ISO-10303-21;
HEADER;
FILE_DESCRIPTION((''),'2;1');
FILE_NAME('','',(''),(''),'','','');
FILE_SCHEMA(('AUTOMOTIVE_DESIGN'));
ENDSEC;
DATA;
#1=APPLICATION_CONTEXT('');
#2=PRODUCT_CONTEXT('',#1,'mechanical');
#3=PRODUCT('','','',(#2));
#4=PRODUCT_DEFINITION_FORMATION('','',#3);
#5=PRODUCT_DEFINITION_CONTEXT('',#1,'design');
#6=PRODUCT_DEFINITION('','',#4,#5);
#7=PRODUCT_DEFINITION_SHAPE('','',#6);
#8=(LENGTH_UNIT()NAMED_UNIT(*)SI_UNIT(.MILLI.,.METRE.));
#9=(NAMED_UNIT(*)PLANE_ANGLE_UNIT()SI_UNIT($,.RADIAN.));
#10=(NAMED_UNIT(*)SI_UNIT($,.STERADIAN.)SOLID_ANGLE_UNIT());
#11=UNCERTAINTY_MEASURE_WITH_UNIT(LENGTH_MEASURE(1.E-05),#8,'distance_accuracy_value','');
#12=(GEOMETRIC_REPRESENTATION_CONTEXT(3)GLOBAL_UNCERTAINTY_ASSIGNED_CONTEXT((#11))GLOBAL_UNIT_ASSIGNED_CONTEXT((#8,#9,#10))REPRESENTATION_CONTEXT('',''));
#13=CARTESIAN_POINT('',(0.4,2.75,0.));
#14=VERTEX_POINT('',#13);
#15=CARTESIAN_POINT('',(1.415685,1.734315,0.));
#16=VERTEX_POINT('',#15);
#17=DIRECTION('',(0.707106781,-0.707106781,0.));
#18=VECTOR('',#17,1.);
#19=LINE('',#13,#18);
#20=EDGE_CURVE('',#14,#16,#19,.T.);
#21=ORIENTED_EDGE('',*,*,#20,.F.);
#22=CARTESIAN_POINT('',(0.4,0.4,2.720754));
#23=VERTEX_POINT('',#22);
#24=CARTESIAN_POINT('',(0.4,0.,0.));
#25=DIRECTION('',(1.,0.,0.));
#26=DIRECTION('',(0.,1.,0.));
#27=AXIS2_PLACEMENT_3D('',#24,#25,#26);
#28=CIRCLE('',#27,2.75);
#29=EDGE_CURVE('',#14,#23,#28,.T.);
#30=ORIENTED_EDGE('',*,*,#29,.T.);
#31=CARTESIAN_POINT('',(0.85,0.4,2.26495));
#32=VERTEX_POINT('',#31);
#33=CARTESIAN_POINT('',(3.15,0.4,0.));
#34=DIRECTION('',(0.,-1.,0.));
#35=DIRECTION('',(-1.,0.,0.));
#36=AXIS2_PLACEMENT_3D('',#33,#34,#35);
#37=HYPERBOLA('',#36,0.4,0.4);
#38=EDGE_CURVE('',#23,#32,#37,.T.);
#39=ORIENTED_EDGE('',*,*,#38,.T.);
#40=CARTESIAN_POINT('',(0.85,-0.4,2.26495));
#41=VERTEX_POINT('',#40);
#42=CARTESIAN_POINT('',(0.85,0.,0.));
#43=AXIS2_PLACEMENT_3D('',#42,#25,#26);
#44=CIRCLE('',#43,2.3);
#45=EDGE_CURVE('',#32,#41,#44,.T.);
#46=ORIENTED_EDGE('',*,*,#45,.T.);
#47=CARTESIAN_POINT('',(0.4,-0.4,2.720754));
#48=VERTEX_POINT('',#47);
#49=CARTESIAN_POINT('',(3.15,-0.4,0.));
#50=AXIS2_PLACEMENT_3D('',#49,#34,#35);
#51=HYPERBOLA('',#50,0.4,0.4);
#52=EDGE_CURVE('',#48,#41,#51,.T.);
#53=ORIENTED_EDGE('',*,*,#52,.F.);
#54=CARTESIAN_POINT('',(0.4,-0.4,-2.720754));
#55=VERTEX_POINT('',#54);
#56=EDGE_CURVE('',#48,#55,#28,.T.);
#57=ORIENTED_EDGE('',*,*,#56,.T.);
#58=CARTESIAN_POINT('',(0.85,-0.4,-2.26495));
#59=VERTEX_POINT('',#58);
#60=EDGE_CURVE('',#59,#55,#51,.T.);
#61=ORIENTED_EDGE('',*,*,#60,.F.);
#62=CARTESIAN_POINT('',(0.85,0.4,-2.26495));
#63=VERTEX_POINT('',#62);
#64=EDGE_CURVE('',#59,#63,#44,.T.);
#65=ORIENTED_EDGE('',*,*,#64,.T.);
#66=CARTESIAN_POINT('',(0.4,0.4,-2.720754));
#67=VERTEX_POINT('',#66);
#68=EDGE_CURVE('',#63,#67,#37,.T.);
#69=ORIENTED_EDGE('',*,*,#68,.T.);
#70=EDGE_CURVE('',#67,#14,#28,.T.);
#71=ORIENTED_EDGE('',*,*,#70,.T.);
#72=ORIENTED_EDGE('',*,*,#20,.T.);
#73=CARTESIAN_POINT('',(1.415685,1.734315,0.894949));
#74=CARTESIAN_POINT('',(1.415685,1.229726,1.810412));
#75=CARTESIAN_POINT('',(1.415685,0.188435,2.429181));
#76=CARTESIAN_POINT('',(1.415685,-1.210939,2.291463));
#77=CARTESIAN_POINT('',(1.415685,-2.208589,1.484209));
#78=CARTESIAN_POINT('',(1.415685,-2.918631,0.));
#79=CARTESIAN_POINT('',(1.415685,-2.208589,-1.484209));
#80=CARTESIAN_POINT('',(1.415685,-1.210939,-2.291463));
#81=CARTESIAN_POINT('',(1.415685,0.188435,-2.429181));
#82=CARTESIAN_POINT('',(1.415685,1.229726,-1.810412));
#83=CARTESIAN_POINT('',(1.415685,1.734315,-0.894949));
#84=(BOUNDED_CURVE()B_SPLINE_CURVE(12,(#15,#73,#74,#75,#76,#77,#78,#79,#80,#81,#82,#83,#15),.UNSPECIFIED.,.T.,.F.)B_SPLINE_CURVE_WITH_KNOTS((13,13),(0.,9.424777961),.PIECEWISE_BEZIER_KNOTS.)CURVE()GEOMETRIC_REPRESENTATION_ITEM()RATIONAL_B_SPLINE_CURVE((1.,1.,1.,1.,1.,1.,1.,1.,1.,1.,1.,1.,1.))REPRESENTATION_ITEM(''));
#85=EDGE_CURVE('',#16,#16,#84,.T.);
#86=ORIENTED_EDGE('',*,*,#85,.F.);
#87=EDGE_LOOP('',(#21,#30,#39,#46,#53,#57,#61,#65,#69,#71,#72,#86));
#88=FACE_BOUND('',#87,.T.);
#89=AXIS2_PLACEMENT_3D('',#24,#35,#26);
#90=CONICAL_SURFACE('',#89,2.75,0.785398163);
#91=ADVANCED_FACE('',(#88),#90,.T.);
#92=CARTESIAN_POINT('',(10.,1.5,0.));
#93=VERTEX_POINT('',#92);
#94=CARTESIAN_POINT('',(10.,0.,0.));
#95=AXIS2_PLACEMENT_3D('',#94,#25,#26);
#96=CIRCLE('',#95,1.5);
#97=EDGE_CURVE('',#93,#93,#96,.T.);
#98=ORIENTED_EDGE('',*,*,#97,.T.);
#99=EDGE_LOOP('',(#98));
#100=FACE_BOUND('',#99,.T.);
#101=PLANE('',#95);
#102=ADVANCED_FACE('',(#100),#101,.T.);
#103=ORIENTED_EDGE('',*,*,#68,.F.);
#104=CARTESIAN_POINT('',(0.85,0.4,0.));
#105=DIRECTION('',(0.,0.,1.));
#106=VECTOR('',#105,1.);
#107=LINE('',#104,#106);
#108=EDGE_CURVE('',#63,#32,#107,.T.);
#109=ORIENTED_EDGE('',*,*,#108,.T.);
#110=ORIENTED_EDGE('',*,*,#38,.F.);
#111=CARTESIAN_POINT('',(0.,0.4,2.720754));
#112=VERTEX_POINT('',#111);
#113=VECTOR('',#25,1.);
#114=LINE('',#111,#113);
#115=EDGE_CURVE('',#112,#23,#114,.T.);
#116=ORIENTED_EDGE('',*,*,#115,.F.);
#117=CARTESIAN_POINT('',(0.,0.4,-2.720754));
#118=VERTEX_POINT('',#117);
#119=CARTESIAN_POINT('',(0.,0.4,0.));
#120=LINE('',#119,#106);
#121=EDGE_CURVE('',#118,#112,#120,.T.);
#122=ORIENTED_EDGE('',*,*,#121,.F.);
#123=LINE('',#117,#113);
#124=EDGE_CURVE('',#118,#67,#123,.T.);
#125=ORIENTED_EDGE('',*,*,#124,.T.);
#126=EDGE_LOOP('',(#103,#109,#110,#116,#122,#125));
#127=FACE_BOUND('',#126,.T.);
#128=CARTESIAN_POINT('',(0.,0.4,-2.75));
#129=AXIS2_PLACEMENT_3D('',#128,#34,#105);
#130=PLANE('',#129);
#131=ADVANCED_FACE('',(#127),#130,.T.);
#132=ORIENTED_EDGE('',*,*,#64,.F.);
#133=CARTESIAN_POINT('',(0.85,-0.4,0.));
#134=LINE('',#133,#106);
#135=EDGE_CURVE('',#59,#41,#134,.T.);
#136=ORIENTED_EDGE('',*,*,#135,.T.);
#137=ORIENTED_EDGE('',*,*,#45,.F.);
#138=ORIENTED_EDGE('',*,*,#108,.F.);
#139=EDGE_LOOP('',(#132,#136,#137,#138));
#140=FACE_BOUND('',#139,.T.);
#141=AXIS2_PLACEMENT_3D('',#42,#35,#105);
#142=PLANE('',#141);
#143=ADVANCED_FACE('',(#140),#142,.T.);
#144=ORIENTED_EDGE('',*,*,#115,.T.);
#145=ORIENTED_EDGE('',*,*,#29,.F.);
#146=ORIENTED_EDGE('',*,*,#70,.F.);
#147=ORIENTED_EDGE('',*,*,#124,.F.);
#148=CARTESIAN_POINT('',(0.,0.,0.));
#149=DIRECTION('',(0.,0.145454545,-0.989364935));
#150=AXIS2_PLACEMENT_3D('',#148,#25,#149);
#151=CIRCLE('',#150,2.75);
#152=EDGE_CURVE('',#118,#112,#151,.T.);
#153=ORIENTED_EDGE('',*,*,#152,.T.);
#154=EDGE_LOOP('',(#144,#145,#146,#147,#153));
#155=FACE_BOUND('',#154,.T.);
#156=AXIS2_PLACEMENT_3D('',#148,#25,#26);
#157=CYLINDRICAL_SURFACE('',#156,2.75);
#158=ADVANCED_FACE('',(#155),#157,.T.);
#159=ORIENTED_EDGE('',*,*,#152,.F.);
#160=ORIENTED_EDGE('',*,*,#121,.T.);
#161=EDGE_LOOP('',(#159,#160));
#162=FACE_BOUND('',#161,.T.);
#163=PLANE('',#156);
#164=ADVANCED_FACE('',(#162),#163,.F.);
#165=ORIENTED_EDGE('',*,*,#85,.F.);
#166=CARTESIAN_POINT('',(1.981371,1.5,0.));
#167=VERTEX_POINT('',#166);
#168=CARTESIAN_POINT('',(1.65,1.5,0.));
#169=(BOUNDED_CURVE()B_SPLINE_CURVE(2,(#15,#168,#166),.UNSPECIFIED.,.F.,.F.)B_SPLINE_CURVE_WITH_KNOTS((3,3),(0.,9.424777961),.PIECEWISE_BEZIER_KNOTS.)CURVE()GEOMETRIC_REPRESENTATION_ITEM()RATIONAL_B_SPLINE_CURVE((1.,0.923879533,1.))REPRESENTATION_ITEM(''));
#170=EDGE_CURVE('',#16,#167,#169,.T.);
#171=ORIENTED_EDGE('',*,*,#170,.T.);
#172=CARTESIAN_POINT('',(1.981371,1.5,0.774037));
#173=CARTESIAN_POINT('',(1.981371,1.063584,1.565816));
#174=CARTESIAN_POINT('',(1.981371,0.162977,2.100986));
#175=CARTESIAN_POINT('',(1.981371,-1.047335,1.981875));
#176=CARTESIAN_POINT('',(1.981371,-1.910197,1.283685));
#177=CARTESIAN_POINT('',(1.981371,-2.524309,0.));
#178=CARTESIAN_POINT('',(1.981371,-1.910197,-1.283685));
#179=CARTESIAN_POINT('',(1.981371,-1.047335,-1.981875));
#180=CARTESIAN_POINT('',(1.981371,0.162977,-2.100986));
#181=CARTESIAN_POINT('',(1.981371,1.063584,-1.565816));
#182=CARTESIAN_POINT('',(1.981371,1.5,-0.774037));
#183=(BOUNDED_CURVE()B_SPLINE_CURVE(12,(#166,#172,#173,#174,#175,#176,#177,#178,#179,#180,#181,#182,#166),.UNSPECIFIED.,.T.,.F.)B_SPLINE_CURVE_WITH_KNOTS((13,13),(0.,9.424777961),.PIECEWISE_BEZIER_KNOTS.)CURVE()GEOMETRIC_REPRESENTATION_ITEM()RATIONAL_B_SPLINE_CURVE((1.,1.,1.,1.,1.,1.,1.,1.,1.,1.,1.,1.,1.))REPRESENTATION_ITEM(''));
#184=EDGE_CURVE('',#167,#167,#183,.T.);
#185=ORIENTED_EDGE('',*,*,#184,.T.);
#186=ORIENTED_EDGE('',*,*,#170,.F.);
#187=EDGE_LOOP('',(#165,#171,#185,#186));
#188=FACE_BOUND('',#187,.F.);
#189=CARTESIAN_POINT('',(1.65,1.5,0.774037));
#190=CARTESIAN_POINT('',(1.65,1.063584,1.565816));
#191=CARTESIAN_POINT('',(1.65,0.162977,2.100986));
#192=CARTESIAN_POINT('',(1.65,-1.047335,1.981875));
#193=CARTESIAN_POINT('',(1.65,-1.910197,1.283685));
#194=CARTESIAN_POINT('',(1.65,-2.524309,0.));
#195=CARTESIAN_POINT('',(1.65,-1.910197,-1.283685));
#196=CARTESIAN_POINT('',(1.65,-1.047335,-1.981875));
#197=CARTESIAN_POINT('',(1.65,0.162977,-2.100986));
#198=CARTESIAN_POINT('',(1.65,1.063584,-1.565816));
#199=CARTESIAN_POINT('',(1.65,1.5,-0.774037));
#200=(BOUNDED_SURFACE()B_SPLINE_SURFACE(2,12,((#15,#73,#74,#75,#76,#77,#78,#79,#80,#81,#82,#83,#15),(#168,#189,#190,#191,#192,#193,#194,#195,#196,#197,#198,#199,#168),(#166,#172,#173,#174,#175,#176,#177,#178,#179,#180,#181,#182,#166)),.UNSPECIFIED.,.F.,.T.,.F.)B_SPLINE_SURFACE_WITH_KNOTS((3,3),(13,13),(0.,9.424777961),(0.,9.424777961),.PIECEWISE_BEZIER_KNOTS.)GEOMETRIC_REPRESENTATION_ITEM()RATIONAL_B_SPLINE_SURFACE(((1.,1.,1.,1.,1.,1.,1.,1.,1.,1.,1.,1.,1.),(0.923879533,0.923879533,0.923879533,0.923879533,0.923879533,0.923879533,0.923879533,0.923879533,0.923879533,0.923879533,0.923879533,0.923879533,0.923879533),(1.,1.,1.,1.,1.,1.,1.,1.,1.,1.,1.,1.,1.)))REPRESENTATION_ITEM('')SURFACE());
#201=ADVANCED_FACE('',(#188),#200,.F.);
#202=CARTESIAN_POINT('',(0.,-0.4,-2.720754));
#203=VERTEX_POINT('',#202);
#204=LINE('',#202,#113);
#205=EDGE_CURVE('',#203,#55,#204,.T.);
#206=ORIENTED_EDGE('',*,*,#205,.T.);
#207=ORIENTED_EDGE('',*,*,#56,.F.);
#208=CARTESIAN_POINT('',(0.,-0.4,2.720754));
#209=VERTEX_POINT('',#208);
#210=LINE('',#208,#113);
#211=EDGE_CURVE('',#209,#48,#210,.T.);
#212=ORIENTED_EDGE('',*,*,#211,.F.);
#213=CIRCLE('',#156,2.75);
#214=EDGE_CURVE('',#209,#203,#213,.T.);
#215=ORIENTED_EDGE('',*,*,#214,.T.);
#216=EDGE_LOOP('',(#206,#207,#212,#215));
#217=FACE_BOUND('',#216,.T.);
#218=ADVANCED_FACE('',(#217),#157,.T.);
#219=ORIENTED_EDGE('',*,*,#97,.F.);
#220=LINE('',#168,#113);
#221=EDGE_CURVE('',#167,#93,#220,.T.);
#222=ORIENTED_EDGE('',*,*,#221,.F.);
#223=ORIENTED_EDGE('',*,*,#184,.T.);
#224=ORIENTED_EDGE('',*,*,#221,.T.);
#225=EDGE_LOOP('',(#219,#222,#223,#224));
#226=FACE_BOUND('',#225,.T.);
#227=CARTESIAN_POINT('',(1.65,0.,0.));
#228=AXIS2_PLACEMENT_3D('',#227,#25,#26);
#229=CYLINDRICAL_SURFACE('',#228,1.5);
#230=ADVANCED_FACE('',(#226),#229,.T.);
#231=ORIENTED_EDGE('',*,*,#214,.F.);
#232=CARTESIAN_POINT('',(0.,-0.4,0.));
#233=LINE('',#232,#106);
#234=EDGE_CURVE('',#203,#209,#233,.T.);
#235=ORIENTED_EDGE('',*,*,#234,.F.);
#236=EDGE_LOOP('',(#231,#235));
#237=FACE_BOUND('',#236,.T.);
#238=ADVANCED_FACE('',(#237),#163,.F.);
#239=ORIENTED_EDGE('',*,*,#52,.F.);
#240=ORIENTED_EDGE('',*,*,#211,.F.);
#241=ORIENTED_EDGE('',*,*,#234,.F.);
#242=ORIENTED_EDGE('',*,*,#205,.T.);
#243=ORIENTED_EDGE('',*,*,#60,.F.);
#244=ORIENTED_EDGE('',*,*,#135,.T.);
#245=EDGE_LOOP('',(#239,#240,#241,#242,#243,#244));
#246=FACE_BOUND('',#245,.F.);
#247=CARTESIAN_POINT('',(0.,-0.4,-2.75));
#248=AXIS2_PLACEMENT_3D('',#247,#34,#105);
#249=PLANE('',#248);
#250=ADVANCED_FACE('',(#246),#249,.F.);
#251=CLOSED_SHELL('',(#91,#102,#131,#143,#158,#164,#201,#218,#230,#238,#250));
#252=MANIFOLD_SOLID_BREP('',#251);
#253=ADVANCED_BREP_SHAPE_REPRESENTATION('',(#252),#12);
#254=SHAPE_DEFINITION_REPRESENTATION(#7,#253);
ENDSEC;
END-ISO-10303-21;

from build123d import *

# Parameters (mm, degrees)
FILLET1_R  = 0.8
SKETCH2_W  = 5.5
SKETCH2_H  = 0.8
SLOT_DEPTH = 0.85


with BuildPart() as part:
    # BodySke → Base-Revolve (revolve)
    with BuildSketch(Plane.XY):
        Polygon((0, 0), (0, 2.75), (0.4, 2.75), (1.65, 1.5), (10, 1.5), (10, 0), align=None)
    revolve(axis=Axis((-6.35, 0, 0), (1, 0, 0)))

    # Fillet1
    fillet1_edges = [part.edges().sort_by_distance(p)[0] for p in [
        (1.65, -1.5, 0),
    ]]
    fillet(fillet1_edges, radius=FILLET1_R)

    # Sketch2 → Slot (cut)
    with BuildSketch(Plane.ZY):
        Rectangle(SKETCH2_W, SKETCH2_H)
    extrude(amount=-SLOT_DEPTH, mode=Mode.SUBTRACT)


solid = part.part
